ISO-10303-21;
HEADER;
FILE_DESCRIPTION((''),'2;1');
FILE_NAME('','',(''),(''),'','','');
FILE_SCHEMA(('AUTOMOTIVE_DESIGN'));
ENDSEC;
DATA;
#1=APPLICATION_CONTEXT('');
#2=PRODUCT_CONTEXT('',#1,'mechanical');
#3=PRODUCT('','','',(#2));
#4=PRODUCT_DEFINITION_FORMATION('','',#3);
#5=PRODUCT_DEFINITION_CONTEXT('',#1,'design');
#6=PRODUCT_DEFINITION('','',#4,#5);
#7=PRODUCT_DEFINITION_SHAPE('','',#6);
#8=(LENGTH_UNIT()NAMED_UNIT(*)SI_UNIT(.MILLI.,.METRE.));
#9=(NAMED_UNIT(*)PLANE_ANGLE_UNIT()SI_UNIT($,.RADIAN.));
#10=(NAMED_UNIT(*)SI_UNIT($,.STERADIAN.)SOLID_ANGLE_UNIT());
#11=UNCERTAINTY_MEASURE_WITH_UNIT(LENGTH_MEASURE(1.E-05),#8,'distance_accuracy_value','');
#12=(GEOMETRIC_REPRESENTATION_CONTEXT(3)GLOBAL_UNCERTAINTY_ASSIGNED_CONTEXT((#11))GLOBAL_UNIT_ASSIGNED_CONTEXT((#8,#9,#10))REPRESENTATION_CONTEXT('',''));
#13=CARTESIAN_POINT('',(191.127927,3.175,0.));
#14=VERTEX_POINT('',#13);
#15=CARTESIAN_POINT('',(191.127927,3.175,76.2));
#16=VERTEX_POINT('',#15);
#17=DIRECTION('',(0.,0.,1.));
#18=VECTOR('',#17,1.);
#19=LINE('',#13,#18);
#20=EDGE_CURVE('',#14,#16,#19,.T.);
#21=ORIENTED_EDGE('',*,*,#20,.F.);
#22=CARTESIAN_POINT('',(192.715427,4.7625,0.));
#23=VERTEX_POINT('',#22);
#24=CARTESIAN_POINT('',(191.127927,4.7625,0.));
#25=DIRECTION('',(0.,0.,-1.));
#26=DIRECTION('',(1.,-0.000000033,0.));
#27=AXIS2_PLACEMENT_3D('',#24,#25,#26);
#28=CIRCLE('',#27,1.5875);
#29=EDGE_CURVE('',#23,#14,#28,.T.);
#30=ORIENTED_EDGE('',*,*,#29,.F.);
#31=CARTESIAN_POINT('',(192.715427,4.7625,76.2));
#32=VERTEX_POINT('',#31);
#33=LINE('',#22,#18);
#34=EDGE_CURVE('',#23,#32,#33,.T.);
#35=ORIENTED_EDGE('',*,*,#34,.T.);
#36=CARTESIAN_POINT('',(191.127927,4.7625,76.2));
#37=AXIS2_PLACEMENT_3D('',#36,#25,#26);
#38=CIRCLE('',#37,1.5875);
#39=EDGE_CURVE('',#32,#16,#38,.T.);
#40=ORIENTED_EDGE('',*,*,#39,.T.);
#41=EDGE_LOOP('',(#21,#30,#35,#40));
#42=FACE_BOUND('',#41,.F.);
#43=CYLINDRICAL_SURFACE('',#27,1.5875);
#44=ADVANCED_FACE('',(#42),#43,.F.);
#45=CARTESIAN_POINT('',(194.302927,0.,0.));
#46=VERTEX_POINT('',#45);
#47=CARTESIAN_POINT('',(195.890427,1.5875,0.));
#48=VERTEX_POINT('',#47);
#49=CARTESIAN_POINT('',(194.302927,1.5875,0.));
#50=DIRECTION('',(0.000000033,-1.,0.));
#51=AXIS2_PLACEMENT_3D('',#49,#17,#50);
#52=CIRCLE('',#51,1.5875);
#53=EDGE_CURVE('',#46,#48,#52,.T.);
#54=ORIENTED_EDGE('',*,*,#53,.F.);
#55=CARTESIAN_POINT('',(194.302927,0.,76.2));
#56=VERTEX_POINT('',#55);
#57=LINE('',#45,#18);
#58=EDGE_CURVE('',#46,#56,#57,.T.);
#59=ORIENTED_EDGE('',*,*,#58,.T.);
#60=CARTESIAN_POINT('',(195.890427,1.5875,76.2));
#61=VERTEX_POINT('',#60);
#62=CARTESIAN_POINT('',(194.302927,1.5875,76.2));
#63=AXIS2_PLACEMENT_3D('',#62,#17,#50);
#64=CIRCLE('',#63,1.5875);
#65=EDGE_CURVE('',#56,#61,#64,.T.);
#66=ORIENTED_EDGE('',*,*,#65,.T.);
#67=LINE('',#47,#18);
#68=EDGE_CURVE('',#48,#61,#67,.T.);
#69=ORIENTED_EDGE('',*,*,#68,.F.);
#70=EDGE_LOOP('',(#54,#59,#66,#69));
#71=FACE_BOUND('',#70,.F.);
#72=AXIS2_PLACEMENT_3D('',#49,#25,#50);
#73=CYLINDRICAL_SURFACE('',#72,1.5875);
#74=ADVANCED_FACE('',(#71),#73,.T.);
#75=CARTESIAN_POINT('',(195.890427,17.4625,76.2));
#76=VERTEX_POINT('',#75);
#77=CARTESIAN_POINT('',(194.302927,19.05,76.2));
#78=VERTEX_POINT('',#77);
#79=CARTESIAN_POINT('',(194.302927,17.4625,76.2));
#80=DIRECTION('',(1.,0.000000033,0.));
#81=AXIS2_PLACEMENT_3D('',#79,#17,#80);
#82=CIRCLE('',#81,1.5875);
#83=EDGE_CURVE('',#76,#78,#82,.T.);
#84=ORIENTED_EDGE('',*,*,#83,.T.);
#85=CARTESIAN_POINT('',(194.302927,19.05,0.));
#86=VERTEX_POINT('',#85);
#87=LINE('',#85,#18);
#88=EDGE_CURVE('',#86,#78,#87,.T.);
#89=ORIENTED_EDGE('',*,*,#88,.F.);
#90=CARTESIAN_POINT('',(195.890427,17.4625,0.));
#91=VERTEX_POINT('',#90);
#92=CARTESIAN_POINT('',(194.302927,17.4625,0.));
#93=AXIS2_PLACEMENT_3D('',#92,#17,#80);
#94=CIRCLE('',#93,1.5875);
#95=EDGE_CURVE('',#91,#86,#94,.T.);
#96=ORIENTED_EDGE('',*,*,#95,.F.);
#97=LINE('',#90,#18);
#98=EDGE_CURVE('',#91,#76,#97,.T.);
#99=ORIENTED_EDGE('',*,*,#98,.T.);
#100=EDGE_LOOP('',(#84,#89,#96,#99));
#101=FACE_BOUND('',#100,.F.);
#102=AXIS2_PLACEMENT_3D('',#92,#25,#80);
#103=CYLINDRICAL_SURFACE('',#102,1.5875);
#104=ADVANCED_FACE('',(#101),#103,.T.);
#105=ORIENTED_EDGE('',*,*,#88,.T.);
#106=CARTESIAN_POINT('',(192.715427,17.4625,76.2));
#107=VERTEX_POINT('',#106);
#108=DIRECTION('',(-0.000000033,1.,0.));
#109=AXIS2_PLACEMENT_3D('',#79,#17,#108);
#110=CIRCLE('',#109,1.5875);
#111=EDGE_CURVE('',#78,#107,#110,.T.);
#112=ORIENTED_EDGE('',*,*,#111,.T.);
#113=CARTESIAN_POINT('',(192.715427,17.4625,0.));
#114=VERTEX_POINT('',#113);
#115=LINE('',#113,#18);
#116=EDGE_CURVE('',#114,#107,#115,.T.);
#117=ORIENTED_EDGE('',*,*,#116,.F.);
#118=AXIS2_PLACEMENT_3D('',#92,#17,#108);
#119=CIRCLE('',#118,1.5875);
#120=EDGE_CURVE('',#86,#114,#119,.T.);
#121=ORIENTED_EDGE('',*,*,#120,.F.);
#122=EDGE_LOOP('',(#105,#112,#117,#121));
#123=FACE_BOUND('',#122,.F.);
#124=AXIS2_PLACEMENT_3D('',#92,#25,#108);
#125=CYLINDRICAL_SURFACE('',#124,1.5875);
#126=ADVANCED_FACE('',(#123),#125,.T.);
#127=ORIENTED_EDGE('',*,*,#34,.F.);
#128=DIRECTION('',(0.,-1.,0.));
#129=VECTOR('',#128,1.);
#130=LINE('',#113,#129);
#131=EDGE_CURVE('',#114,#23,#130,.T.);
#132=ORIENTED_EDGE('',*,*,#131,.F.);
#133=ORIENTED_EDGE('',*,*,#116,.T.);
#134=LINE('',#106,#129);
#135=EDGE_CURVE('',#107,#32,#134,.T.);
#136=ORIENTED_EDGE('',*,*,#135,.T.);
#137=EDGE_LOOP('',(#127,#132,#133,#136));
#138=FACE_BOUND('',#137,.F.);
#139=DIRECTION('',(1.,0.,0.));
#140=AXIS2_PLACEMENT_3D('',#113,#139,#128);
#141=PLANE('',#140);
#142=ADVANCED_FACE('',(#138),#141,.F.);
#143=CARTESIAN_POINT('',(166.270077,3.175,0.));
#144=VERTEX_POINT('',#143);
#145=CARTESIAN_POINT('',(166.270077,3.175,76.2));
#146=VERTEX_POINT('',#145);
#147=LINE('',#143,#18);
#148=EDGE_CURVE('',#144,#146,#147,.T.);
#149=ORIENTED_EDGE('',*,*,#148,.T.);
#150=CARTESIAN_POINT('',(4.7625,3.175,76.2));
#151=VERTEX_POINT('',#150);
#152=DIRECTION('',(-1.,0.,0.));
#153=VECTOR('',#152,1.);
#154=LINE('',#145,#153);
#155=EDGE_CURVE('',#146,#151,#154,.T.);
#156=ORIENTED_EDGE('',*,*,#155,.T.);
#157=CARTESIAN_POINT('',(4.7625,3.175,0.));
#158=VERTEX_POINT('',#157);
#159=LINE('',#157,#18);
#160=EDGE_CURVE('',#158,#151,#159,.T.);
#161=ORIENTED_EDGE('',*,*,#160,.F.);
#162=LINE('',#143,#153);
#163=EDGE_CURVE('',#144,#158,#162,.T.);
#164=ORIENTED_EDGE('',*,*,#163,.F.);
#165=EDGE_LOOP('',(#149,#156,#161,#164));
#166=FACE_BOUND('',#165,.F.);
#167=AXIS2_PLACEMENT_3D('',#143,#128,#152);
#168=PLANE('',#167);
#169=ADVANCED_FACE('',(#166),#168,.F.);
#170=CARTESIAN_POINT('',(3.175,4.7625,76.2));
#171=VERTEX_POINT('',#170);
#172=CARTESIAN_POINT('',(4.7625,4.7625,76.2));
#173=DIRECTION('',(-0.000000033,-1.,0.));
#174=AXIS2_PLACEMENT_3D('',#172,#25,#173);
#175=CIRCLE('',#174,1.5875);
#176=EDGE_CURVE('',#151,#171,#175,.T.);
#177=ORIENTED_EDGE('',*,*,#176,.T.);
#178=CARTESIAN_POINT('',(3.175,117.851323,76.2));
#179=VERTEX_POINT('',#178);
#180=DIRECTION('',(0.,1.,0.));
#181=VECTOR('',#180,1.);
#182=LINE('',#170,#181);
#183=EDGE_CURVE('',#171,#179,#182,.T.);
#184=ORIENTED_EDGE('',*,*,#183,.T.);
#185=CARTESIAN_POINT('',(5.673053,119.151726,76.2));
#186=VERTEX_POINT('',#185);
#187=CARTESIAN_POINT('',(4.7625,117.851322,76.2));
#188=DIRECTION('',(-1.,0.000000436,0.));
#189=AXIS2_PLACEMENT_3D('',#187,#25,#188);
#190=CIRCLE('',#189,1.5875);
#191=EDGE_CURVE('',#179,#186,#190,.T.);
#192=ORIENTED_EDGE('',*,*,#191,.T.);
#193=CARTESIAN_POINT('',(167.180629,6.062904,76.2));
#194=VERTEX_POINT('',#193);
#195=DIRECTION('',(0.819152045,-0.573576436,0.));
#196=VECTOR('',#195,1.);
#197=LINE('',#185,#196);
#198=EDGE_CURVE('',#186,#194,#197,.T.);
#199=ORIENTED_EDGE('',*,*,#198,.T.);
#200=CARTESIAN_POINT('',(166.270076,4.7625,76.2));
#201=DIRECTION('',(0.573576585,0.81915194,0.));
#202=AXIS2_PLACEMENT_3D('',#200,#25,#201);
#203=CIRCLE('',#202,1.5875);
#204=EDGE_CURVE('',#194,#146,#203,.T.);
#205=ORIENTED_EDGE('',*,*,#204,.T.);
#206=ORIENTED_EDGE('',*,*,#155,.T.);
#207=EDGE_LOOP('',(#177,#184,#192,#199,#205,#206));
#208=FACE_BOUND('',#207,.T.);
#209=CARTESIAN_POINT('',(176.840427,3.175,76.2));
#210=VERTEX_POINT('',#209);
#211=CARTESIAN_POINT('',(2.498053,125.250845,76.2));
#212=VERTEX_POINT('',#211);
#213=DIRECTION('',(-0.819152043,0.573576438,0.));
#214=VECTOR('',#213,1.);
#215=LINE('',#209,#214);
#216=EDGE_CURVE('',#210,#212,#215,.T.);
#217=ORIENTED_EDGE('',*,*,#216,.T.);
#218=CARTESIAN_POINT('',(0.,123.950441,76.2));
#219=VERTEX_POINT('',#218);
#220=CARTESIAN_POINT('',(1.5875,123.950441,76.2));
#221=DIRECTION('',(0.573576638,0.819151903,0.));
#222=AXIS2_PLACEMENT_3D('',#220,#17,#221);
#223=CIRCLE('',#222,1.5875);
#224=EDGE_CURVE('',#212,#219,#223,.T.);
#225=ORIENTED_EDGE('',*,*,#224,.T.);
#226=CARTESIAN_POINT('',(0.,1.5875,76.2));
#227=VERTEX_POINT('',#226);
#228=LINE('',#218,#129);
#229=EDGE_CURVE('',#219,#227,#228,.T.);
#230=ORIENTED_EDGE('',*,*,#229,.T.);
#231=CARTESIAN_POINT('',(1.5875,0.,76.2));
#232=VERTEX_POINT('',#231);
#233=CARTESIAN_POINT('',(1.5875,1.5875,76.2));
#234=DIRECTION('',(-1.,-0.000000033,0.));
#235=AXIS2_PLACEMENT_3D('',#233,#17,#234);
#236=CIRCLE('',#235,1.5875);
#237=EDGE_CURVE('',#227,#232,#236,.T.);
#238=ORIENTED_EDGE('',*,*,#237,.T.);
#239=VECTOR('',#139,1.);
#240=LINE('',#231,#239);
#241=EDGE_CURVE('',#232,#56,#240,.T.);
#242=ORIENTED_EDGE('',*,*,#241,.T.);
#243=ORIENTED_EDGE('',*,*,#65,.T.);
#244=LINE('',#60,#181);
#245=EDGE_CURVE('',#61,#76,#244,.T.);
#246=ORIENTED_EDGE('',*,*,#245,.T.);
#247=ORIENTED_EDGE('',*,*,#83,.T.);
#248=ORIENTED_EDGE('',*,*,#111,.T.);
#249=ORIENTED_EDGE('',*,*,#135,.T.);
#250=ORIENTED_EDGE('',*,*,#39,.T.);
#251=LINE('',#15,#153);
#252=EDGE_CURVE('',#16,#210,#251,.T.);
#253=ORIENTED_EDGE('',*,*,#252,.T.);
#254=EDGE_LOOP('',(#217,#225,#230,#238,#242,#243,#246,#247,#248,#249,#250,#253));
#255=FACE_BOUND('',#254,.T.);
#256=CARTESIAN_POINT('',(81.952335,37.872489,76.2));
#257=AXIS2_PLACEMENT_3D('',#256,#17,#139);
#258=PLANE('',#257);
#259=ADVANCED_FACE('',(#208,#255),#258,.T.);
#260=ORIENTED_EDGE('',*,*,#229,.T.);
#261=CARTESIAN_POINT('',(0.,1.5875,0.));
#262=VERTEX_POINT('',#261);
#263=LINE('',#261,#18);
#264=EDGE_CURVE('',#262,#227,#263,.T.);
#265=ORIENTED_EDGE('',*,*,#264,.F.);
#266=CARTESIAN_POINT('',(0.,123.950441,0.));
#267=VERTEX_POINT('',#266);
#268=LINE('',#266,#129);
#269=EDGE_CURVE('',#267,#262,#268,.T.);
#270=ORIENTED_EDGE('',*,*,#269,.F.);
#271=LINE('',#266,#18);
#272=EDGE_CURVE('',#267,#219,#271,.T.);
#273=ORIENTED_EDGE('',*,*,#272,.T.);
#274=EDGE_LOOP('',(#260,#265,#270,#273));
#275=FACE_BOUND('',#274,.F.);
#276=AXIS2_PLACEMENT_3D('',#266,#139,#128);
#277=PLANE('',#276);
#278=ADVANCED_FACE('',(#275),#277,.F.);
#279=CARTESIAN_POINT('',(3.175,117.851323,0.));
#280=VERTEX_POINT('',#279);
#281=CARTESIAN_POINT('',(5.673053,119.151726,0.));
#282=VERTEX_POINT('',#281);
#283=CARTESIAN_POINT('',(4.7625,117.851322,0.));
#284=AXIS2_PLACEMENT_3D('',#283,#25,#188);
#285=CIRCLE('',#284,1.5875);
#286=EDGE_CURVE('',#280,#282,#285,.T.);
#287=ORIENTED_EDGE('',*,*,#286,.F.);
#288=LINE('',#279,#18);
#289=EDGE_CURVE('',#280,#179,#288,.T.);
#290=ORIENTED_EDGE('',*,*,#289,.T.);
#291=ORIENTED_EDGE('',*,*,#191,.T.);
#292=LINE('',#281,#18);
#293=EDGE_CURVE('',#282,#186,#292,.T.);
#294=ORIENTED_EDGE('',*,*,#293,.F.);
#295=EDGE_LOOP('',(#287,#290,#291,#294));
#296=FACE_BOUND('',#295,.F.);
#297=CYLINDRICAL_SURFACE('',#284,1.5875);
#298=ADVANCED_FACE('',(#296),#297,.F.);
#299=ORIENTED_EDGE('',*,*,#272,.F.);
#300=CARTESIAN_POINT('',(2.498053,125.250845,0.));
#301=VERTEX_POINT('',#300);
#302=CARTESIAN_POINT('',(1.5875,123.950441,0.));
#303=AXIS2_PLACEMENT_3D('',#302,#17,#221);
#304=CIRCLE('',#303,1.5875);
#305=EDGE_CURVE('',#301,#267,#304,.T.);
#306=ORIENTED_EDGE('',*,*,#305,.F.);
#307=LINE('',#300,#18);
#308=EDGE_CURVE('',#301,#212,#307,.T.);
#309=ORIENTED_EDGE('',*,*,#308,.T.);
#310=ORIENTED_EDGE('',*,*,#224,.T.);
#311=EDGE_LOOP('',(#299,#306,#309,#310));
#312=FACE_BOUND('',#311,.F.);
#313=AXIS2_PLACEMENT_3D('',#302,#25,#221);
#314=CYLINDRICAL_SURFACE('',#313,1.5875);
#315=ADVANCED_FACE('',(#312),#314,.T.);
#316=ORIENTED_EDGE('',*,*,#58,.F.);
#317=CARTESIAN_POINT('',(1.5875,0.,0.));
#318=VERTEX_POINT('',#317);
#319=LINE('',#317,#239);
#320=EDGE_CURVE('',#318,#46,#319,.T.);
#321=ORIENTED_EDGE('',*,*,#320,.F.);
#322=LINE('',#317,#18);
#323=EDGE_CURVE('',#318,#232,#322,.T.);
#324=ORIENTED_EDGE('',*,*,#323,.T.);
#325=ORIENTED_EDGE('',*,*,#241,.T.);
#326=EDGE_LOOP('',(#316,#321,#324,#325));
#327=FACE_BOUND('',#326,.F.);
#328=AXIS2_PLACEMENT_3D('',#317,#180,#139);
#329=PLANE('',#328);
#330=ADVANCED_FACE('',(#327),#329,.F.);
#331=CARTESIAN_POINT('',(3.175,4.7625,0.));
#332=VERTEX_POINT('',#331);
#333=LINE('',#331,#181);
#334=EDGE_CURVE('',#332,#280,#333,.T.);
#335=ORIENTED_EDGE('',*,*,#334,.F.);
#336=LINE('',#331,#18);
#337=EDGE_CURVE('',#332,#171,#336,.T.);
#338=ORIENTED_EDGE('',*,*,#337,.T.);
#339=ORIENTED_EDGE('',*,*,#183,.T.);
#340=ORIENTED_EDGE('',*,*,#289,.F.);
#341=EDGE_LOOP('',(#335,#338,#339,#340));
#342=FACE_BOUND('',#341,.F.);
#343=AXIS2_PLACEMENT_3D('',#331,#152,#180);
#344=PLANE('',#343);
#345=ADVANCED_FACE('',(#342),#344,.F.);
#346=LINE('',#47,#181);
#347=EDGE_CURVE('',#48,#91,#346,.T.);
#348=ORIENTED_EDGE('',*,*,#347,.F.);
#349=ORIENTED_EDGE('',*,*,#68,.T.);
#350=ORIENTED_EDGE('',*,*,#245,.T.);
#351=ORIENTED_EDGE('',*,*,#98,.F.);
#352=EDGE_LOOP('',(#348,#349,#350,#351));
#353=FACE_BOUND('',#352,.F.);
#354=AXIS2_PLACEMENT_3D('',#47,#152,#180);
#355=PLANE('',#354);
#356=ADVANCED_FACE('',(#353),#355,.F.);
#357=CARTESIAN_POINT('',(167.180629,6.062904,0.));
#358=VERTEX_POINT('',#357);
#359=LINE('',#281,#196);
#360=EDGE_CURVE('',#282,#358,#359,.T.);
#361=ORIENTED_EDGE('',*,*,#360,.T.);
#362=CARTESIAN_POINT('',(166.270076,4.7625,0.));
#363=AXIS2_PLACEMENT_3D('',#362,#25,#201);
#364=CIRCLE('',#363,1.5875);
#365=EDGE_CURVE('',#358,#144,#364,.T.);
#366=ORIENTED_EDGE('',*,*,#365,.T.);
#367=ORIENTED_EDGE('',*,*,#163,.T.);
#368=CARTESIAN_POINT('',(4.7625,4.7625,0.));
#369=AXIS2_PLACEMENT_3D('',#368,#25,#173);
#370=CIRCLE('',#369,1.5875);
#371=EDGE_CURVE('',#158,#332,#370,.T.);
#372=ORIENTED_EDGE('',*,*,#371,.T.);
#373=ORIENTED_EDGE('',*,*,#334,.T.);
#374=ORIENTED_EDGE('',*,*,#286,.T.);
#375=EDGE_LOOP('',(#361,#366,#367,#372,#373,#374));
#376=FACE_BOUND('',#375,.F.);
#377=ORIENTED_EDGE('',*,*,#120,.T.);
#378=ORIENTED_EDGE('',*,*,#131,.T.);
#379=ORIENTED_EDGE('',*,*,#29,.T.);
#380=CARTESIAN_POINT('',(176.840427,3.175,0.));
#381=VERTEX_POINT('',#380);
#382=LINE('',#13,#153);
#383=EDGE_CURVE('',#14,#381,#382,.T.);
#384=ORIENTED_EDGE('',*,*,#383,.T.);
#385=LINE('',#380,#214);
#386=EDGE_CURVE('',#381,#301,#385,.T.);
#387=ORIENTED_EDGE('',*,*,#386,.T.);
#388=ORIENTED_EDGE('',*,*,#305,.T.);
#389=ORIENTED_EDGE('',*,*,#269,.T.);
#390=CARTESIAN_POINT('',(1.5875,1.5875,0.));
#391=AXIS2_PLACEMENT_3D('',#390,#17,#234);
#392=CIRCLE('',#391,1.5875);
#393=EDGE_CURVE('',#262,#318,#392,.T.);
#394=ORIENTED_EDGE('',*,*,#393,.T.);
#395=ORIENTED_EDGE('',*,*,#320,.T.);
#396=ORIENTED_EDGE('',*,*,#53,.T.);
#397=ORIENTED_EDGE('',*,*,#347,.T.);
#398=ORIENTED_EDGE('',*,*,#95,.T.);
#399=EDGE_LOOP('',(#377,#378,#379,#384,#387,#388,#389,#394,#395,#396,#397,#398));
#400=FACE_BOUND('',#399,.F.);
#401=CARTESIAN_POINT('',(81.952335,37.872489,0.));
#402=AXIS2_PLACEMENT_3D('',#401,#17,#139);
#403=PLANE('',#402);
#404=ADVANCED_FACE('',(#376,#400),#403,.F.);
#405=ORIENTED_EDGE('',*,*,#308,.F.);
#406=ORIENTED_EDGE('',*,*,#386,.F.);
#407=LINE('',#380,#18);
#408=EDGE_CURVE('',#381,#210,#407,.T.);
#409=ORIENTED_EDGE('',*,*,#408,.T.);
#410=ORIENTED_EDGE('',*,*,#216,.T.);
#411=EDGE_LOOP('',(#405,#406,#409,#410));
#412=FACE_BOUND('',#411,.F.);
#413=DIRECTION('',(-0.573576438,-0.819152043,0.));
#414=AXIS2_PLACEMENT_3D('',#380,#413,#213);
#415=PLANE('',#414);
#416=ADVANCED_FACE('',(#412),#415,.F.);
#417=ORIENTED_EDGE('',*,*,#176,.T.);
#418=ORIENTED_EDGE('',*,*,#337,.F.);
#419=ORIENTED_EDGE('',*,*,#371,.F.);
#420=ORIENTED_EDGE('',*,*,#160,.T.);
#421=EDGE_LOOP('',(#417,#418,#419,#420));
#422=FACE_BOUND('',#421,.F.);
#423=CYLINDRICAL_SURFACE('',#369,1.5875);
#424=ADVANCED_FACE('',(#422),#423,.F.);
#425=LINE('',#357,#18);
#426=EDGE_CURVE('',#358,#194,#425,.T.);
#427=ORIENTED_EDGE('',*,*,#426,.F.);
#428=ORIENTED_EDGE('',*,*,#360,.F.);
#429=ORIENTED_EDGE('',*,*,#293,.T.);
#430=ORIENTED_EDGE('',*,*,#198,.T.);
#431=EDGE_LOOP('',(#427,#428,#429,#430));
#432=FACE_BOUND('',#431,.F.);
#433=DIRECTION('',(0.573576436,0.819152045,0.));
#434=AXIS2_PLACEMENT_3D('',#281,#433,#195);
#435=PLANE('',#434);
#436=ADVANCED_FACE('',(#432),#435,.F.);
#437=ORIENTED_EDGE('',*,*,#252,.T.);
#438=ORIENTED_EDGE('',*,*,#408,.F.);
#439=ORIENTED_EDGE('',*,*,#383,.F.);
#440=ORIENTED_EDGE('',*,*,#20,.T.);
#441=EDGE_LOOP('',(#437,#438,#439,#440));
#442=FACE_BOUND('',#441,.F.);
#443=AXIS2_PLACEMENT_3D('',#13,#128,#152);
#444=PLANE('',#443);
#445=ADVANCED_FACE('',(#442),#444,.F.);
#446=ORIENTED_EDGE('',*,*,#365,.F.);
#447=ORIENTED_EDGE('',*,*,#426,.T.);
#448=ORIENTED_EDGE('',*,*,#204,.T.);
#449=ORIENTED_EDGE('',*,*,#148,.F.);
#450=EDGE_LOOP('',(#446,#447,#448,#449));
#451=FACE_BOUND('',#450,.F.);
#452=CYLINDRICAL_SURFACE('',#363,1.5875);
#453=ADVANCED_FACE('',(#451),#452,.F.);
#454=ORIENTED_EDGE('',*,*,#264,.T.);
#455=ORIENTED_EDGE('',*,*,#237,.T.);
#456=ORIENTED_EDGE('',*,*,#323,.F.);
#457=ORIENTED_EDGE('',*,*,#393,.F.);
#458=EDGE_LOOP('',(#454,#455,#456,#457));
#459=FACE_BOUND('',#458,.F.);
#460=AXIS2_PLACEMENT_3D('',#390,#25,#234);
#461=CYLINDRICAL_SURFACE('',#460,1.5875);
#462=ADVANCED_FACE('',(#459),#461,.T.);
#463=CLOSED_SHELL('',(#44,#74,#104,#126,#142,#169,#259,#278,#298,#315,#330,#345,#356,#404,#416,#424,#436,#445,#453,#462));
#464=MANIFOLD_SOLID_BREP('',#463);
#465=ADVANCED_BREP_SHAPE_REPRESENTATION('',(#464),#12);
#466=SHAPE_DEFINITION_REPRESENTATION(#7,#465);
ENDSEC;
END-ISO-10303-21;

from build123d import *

# Parameters (mm, degrees)
F1_DEPTH = 76.2


with BuildPart() as f1:
    # F0 (on Top) → F1 (new body)
    with BuildSketch(Plane.XY):
        with BuildLine():
            Line((0, 123.950441), (0, 1.5875))
            ThreePointArc((0, 1.5875), (0.464968, 0.464968), (1.5875, 0))
            Line((1.5875, 0), (181.374797, 0))
            Line((181.374797, 0), (194.302927, 0))
            ThreePointArc((194.302927, 0), (195.425459, 0.464968), (195.890427, 1.5875))
            Line((195.890427, 1.5875), (195.890427, 17.4625))
            ThreePointArc((195.890427, 17.4625), (195.425459, 18.585032), (194.302927, 19.05))
            ThreePointArc((194.302927, 19.05), (193.180395, 18.585032), (192.715427, 17.4625))
            Line((192.715427, 17.4625), (192.715427, 4.7625))
            ThreePointArc((192.715427, 4.7625), (192.250459, 3.639968), (191.127927, 3.175))
            Line((191.127927, 3.175), (176.840427, 3.175))
            Line((176.840427, 3.175), (2.498053, 125.250845))
            ThreePointArc((2.498053, 125.250845), (0.854474, 125.358571), (0, 123.950441))
        make_face()
        with BuildLine():
            Line((5.673053, 119.151726), (167.180629, 6.062904))
            ThreePointArc((167.180629, 6.062904), (167.784102, 4.28513), (166.270077, 3.175))
            Line((166.270077, 3.175), (4.7625, 3.175))
            ThreePointArc((4.7625, 3.175), (3.639968, 3.639968), (3.175, 4.7625))
            Line((3.175, 4.7625), (3.175, 117.851323))
            ThreePointArc((3.175, 117.851323), (4.029474, 119.259452), (5.673053, 119.151726))
        make_face(mode=Mode.SUBTRACT)
    extrude(amount=F1_DEPTH)


solid = f1.part
